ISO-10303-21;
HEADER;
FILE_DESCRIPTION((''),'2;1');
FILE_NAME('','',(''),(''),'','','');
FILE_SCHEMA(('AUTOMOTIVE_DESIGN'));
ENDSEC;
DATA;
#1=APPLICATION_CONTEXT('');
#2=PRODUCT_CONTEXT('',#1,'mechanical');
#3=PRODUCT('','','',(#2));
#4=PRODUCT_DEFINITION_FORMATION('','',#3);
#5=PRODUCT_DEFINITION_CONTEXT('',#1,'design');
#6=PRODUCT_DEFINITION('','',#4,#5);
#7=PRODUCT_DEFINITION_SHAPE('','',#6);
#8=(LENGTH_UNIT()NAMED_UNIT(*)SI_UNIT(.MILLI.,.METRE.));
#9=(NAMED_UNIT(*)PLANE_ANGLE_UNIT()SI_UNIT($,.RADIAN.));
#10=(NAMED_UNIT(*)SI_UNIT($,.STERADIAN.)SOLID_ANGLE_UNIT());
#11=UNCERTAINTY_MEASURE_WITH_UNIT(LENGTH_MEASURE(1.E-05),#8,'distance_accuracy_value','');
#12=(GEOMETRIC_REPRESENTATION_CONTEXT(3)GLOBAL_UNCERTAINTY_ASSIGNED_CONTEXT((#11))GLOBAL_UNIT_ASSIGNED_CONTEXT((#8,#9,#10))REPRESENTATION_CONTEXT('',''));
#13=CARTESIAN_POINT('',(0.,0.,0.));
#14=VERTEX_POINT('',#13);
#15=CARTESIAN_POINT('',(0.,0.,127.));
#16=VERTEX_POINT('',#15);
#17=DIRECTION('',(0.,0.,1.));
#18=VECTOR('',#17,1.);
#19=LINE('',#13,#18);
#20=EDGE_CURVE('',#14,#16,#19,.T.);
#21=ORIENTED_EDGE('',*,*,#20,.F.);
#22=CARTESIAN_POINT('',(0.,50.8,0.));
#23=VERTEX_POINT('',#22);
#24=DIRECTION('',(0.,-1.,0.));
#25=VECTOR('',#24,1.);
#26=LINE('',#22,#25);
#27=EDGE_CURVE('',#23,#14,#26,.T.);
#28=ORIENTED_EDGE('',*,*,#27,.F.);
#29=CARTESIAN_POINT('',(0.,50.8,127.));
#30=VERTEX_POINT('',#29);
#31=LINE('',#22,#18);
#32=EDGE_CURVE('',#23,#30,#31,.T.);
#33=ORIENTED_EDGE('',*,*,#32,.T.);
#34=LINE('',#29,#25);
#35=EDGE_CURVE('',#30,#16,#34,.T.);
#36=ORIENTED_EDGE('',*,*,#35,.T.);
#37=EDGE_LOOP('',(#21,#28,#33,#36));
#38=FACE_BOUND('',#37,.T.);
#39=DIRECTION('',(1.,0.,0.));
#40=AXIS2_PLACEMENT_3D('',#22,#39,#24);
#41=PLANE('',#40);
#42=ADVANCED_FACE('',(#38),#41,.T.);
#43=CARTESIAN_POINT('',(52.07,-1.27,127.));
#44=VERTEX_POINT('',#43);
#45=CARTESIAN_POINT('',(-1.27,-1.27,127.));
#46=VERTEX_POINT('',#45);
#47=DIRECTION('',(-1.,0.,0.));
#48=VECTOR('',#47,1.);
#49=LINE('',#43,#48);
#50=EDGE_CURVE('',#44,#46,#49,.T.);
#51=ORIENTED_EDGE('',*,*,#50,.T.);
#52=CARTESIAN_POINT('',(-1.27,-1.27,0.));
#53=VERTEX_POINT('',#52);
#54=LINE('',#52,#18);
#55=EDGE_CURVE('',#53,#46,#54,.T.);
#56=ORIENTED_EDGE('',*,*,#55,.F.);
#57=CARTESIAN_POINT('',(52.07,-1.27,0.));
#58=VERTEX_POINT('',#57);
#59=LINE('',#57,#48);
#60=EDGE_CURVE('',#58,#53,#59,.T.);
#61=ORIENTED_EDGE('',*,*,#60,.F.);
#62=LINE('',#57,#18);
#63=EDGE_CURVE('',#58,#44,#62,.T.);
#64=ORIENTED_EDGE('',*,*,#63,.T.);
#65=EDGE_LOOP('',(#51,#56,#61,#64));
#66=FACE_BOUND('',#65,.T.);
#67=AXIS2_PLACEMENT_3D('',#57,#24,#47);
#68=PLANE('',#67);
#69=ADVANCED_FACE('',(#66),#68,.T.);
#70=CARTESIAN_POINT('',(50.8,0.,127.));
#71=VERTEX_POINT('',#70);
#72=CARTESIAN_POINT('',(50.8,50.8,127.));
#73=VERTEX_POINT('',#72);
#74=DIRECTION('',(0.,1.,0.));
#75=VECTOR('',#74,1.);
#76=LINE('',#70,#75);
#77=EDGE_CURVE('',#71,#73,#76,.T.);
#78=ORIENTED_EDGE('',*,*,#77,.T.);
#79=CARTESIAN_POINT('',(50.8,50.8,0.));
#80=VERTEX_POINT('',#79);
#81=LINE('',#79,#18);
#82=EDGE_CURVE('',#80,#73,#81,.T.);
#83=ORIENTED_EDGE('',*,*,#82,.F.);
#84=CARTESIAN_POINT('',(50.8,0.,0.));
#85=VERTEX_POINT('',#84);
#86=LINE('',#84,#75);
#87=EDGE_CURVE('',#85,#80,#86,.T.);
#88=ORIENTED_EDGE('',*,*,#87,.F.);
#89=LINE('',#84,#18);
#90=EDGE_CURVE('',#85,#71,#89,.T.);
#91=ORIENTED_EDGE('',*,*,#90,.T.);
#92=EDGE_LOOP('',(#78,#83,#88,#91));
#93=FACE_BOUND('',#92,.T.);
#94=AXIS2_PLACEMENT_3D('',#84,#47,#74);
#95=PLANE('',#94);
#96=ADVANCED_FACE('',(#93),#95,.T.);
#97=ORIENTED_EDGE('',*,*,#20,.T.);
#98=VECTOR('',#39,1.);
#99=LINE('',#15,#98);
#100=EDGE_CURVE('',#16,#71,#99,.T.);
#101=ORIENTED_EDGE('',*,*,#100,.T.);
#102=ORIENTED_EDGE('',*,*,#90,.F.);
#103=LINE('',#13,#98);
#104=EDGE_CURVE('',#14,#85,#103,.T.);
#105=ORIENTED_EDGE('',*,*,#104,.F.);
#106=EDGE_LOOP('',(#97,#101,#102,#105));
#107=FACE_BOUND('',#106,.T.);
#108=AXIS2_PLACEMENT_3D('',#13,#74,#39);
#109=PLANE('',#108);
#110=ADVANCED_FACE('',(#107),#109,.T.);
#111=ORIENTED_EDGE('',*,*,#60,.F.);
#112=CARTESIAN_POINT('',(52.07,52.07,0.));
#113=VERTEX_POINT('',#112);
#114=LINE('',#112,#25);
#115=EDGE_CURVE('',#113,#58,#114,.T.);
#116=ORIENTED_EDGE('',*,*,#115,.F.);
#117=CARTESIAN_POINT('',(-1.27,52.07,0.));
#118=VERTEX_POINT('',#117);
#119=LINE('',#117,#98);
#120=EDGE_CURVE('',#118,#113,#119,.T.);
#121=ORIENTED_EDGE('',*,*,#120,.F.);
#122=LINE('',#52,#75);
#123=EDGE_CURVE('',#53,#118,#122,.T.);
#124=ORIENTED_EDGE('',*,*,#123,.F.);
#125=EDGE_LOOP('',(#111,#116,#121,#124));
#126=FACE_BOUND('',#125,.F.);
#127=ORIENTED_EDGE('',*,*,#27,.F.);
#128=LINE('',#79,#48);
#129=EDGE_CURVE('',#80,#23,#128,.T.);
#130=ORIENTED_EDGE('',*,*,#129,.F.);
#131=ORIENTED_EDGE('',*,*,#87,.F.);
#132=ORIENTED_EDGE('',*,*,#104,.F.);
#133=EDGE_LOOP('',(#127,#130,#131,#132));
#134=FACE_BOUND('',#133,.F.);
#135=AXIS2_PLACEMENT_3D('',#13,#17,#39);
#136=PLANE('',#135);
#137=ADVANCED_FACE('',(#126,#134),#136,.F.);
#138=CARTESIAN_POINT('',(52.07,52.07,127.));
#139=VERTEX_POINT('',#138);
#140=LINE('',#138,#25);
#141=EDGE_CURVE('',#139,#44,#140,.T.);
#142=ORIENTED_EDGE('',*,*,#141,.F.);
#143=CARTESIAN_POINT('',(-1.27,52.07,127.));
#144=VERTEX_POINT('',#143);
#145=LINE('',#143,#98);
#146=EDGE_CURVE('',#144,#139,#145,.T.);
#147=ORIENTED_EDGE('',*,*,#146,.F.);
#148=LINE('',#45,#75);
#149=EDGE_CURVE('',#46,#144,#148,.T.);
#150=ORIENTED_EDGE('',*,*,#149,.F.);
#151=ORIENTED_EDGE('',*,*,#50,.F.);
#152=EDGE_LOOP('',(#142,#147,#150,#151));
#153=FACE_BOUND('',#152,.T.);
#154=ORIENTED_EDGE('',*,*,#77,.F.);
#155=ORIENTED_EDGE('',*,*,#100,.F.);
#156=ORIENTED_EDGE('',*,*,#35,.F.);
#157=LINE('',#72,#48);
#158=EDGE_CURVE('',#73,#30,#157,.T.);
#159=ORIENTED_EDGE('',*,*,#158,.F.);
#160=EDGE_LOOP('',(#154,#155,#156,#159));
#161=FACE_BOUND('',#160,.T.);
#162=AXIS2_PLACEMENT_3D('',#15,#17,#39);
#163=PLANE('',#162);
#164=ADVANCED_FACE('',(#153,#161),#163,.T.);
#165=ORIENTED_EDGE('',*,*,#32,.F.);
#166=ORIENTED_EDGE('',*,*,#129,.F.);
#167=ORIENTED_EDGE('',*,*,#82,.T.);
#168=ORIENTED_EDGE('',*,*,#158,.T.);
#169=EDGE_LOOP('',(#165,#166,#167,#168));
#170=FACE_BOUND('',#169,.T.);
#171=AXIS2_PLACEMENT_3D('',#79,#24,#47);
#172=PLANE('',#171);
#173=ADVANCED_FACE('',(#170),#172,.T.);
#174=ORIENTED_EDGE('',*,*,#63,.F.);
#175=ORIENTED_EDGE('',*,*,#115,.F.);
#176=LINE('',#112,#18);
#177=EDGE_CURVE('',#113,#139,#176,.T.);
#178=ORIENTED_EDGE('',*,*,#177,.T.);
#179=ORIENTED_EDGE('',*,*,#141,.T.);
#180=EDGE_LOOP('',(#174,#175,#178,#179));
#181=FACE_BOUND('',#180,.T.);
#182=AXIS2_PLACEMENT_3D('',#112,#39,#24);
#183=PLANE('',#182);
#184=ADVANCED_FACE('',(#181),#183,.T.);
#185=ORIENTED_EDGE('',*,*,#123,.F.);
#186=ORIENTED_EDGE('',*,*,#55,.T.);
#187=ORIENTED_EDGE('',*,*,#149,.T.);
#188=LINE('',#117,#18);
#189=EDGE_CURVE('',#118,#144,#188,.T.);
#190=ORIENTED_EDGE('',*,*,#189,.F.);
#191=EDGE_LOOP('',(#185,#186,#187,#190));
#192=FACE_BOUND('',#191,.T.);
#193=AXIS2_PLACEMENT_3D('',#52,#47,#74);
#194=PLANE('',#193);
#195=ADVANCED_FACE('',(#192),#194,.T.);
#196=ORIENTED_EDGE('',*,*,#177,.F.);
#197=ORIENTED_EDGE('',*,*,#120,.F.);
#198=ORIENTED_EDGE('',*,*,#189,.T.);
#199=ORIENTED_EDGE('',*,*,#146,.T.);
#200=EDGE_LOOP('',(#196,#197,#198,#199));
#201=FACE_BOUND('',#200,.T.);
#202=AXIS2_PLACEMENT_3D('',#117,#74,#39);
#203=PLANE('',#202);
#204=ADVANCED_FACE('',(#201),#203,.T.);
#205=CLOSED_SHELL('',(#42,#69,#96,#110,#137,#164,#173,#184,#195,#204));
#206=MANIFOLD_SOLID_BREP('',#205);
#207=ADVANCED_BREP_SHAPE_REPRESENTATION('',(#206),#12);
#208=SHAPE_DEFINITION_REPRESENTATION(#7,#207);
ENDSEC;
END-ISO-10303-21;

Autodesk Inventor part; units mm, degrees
ref_plane "YZ Plane" through (0, 0, 0) normal (1, 0, 0) x (0, 1, 0)
ref_plane "XZ Plane" through (0, 0, 0) normal (0, 1, 0) x (-1, 0, 0)
ref_plane "XY Plane" through (0, 0, 0) normal (0, 0, 1) x (1, 0, 0)
sketch "Sketch1" plane through (0, 0, 0) normal (0, 0, 1) x (1, 0, 0)
  line L0 (0, 0) -> (50.8, 0)
  line L1 (50.8, 0) -> (50.8, 50.8)
  line L2 (50.8, 50.8) -> (0, 50.8)
  line L3 (0, 50.8) -> (0, 0)
  line L4 (-1.27, 52.07) -> (52.07, 52.07)
  line L5 (52.07, 52.07) -> (52.07, -1.27)
  line L6 (52.07, -1.27) -> (-1.27, -1.27)
  line L7 (-1.27, -1.27) -> (-1.27, 52.07)
  dimension "d0" = 50.8
  dimension "d1" = 50.8
  dimension "d2" = 1.27
extrude "Extrusion1" add sketch "Sketch1" along normal blind 127
properties part number "Placeholderbucket" material "Polycarbonate, Clear"
